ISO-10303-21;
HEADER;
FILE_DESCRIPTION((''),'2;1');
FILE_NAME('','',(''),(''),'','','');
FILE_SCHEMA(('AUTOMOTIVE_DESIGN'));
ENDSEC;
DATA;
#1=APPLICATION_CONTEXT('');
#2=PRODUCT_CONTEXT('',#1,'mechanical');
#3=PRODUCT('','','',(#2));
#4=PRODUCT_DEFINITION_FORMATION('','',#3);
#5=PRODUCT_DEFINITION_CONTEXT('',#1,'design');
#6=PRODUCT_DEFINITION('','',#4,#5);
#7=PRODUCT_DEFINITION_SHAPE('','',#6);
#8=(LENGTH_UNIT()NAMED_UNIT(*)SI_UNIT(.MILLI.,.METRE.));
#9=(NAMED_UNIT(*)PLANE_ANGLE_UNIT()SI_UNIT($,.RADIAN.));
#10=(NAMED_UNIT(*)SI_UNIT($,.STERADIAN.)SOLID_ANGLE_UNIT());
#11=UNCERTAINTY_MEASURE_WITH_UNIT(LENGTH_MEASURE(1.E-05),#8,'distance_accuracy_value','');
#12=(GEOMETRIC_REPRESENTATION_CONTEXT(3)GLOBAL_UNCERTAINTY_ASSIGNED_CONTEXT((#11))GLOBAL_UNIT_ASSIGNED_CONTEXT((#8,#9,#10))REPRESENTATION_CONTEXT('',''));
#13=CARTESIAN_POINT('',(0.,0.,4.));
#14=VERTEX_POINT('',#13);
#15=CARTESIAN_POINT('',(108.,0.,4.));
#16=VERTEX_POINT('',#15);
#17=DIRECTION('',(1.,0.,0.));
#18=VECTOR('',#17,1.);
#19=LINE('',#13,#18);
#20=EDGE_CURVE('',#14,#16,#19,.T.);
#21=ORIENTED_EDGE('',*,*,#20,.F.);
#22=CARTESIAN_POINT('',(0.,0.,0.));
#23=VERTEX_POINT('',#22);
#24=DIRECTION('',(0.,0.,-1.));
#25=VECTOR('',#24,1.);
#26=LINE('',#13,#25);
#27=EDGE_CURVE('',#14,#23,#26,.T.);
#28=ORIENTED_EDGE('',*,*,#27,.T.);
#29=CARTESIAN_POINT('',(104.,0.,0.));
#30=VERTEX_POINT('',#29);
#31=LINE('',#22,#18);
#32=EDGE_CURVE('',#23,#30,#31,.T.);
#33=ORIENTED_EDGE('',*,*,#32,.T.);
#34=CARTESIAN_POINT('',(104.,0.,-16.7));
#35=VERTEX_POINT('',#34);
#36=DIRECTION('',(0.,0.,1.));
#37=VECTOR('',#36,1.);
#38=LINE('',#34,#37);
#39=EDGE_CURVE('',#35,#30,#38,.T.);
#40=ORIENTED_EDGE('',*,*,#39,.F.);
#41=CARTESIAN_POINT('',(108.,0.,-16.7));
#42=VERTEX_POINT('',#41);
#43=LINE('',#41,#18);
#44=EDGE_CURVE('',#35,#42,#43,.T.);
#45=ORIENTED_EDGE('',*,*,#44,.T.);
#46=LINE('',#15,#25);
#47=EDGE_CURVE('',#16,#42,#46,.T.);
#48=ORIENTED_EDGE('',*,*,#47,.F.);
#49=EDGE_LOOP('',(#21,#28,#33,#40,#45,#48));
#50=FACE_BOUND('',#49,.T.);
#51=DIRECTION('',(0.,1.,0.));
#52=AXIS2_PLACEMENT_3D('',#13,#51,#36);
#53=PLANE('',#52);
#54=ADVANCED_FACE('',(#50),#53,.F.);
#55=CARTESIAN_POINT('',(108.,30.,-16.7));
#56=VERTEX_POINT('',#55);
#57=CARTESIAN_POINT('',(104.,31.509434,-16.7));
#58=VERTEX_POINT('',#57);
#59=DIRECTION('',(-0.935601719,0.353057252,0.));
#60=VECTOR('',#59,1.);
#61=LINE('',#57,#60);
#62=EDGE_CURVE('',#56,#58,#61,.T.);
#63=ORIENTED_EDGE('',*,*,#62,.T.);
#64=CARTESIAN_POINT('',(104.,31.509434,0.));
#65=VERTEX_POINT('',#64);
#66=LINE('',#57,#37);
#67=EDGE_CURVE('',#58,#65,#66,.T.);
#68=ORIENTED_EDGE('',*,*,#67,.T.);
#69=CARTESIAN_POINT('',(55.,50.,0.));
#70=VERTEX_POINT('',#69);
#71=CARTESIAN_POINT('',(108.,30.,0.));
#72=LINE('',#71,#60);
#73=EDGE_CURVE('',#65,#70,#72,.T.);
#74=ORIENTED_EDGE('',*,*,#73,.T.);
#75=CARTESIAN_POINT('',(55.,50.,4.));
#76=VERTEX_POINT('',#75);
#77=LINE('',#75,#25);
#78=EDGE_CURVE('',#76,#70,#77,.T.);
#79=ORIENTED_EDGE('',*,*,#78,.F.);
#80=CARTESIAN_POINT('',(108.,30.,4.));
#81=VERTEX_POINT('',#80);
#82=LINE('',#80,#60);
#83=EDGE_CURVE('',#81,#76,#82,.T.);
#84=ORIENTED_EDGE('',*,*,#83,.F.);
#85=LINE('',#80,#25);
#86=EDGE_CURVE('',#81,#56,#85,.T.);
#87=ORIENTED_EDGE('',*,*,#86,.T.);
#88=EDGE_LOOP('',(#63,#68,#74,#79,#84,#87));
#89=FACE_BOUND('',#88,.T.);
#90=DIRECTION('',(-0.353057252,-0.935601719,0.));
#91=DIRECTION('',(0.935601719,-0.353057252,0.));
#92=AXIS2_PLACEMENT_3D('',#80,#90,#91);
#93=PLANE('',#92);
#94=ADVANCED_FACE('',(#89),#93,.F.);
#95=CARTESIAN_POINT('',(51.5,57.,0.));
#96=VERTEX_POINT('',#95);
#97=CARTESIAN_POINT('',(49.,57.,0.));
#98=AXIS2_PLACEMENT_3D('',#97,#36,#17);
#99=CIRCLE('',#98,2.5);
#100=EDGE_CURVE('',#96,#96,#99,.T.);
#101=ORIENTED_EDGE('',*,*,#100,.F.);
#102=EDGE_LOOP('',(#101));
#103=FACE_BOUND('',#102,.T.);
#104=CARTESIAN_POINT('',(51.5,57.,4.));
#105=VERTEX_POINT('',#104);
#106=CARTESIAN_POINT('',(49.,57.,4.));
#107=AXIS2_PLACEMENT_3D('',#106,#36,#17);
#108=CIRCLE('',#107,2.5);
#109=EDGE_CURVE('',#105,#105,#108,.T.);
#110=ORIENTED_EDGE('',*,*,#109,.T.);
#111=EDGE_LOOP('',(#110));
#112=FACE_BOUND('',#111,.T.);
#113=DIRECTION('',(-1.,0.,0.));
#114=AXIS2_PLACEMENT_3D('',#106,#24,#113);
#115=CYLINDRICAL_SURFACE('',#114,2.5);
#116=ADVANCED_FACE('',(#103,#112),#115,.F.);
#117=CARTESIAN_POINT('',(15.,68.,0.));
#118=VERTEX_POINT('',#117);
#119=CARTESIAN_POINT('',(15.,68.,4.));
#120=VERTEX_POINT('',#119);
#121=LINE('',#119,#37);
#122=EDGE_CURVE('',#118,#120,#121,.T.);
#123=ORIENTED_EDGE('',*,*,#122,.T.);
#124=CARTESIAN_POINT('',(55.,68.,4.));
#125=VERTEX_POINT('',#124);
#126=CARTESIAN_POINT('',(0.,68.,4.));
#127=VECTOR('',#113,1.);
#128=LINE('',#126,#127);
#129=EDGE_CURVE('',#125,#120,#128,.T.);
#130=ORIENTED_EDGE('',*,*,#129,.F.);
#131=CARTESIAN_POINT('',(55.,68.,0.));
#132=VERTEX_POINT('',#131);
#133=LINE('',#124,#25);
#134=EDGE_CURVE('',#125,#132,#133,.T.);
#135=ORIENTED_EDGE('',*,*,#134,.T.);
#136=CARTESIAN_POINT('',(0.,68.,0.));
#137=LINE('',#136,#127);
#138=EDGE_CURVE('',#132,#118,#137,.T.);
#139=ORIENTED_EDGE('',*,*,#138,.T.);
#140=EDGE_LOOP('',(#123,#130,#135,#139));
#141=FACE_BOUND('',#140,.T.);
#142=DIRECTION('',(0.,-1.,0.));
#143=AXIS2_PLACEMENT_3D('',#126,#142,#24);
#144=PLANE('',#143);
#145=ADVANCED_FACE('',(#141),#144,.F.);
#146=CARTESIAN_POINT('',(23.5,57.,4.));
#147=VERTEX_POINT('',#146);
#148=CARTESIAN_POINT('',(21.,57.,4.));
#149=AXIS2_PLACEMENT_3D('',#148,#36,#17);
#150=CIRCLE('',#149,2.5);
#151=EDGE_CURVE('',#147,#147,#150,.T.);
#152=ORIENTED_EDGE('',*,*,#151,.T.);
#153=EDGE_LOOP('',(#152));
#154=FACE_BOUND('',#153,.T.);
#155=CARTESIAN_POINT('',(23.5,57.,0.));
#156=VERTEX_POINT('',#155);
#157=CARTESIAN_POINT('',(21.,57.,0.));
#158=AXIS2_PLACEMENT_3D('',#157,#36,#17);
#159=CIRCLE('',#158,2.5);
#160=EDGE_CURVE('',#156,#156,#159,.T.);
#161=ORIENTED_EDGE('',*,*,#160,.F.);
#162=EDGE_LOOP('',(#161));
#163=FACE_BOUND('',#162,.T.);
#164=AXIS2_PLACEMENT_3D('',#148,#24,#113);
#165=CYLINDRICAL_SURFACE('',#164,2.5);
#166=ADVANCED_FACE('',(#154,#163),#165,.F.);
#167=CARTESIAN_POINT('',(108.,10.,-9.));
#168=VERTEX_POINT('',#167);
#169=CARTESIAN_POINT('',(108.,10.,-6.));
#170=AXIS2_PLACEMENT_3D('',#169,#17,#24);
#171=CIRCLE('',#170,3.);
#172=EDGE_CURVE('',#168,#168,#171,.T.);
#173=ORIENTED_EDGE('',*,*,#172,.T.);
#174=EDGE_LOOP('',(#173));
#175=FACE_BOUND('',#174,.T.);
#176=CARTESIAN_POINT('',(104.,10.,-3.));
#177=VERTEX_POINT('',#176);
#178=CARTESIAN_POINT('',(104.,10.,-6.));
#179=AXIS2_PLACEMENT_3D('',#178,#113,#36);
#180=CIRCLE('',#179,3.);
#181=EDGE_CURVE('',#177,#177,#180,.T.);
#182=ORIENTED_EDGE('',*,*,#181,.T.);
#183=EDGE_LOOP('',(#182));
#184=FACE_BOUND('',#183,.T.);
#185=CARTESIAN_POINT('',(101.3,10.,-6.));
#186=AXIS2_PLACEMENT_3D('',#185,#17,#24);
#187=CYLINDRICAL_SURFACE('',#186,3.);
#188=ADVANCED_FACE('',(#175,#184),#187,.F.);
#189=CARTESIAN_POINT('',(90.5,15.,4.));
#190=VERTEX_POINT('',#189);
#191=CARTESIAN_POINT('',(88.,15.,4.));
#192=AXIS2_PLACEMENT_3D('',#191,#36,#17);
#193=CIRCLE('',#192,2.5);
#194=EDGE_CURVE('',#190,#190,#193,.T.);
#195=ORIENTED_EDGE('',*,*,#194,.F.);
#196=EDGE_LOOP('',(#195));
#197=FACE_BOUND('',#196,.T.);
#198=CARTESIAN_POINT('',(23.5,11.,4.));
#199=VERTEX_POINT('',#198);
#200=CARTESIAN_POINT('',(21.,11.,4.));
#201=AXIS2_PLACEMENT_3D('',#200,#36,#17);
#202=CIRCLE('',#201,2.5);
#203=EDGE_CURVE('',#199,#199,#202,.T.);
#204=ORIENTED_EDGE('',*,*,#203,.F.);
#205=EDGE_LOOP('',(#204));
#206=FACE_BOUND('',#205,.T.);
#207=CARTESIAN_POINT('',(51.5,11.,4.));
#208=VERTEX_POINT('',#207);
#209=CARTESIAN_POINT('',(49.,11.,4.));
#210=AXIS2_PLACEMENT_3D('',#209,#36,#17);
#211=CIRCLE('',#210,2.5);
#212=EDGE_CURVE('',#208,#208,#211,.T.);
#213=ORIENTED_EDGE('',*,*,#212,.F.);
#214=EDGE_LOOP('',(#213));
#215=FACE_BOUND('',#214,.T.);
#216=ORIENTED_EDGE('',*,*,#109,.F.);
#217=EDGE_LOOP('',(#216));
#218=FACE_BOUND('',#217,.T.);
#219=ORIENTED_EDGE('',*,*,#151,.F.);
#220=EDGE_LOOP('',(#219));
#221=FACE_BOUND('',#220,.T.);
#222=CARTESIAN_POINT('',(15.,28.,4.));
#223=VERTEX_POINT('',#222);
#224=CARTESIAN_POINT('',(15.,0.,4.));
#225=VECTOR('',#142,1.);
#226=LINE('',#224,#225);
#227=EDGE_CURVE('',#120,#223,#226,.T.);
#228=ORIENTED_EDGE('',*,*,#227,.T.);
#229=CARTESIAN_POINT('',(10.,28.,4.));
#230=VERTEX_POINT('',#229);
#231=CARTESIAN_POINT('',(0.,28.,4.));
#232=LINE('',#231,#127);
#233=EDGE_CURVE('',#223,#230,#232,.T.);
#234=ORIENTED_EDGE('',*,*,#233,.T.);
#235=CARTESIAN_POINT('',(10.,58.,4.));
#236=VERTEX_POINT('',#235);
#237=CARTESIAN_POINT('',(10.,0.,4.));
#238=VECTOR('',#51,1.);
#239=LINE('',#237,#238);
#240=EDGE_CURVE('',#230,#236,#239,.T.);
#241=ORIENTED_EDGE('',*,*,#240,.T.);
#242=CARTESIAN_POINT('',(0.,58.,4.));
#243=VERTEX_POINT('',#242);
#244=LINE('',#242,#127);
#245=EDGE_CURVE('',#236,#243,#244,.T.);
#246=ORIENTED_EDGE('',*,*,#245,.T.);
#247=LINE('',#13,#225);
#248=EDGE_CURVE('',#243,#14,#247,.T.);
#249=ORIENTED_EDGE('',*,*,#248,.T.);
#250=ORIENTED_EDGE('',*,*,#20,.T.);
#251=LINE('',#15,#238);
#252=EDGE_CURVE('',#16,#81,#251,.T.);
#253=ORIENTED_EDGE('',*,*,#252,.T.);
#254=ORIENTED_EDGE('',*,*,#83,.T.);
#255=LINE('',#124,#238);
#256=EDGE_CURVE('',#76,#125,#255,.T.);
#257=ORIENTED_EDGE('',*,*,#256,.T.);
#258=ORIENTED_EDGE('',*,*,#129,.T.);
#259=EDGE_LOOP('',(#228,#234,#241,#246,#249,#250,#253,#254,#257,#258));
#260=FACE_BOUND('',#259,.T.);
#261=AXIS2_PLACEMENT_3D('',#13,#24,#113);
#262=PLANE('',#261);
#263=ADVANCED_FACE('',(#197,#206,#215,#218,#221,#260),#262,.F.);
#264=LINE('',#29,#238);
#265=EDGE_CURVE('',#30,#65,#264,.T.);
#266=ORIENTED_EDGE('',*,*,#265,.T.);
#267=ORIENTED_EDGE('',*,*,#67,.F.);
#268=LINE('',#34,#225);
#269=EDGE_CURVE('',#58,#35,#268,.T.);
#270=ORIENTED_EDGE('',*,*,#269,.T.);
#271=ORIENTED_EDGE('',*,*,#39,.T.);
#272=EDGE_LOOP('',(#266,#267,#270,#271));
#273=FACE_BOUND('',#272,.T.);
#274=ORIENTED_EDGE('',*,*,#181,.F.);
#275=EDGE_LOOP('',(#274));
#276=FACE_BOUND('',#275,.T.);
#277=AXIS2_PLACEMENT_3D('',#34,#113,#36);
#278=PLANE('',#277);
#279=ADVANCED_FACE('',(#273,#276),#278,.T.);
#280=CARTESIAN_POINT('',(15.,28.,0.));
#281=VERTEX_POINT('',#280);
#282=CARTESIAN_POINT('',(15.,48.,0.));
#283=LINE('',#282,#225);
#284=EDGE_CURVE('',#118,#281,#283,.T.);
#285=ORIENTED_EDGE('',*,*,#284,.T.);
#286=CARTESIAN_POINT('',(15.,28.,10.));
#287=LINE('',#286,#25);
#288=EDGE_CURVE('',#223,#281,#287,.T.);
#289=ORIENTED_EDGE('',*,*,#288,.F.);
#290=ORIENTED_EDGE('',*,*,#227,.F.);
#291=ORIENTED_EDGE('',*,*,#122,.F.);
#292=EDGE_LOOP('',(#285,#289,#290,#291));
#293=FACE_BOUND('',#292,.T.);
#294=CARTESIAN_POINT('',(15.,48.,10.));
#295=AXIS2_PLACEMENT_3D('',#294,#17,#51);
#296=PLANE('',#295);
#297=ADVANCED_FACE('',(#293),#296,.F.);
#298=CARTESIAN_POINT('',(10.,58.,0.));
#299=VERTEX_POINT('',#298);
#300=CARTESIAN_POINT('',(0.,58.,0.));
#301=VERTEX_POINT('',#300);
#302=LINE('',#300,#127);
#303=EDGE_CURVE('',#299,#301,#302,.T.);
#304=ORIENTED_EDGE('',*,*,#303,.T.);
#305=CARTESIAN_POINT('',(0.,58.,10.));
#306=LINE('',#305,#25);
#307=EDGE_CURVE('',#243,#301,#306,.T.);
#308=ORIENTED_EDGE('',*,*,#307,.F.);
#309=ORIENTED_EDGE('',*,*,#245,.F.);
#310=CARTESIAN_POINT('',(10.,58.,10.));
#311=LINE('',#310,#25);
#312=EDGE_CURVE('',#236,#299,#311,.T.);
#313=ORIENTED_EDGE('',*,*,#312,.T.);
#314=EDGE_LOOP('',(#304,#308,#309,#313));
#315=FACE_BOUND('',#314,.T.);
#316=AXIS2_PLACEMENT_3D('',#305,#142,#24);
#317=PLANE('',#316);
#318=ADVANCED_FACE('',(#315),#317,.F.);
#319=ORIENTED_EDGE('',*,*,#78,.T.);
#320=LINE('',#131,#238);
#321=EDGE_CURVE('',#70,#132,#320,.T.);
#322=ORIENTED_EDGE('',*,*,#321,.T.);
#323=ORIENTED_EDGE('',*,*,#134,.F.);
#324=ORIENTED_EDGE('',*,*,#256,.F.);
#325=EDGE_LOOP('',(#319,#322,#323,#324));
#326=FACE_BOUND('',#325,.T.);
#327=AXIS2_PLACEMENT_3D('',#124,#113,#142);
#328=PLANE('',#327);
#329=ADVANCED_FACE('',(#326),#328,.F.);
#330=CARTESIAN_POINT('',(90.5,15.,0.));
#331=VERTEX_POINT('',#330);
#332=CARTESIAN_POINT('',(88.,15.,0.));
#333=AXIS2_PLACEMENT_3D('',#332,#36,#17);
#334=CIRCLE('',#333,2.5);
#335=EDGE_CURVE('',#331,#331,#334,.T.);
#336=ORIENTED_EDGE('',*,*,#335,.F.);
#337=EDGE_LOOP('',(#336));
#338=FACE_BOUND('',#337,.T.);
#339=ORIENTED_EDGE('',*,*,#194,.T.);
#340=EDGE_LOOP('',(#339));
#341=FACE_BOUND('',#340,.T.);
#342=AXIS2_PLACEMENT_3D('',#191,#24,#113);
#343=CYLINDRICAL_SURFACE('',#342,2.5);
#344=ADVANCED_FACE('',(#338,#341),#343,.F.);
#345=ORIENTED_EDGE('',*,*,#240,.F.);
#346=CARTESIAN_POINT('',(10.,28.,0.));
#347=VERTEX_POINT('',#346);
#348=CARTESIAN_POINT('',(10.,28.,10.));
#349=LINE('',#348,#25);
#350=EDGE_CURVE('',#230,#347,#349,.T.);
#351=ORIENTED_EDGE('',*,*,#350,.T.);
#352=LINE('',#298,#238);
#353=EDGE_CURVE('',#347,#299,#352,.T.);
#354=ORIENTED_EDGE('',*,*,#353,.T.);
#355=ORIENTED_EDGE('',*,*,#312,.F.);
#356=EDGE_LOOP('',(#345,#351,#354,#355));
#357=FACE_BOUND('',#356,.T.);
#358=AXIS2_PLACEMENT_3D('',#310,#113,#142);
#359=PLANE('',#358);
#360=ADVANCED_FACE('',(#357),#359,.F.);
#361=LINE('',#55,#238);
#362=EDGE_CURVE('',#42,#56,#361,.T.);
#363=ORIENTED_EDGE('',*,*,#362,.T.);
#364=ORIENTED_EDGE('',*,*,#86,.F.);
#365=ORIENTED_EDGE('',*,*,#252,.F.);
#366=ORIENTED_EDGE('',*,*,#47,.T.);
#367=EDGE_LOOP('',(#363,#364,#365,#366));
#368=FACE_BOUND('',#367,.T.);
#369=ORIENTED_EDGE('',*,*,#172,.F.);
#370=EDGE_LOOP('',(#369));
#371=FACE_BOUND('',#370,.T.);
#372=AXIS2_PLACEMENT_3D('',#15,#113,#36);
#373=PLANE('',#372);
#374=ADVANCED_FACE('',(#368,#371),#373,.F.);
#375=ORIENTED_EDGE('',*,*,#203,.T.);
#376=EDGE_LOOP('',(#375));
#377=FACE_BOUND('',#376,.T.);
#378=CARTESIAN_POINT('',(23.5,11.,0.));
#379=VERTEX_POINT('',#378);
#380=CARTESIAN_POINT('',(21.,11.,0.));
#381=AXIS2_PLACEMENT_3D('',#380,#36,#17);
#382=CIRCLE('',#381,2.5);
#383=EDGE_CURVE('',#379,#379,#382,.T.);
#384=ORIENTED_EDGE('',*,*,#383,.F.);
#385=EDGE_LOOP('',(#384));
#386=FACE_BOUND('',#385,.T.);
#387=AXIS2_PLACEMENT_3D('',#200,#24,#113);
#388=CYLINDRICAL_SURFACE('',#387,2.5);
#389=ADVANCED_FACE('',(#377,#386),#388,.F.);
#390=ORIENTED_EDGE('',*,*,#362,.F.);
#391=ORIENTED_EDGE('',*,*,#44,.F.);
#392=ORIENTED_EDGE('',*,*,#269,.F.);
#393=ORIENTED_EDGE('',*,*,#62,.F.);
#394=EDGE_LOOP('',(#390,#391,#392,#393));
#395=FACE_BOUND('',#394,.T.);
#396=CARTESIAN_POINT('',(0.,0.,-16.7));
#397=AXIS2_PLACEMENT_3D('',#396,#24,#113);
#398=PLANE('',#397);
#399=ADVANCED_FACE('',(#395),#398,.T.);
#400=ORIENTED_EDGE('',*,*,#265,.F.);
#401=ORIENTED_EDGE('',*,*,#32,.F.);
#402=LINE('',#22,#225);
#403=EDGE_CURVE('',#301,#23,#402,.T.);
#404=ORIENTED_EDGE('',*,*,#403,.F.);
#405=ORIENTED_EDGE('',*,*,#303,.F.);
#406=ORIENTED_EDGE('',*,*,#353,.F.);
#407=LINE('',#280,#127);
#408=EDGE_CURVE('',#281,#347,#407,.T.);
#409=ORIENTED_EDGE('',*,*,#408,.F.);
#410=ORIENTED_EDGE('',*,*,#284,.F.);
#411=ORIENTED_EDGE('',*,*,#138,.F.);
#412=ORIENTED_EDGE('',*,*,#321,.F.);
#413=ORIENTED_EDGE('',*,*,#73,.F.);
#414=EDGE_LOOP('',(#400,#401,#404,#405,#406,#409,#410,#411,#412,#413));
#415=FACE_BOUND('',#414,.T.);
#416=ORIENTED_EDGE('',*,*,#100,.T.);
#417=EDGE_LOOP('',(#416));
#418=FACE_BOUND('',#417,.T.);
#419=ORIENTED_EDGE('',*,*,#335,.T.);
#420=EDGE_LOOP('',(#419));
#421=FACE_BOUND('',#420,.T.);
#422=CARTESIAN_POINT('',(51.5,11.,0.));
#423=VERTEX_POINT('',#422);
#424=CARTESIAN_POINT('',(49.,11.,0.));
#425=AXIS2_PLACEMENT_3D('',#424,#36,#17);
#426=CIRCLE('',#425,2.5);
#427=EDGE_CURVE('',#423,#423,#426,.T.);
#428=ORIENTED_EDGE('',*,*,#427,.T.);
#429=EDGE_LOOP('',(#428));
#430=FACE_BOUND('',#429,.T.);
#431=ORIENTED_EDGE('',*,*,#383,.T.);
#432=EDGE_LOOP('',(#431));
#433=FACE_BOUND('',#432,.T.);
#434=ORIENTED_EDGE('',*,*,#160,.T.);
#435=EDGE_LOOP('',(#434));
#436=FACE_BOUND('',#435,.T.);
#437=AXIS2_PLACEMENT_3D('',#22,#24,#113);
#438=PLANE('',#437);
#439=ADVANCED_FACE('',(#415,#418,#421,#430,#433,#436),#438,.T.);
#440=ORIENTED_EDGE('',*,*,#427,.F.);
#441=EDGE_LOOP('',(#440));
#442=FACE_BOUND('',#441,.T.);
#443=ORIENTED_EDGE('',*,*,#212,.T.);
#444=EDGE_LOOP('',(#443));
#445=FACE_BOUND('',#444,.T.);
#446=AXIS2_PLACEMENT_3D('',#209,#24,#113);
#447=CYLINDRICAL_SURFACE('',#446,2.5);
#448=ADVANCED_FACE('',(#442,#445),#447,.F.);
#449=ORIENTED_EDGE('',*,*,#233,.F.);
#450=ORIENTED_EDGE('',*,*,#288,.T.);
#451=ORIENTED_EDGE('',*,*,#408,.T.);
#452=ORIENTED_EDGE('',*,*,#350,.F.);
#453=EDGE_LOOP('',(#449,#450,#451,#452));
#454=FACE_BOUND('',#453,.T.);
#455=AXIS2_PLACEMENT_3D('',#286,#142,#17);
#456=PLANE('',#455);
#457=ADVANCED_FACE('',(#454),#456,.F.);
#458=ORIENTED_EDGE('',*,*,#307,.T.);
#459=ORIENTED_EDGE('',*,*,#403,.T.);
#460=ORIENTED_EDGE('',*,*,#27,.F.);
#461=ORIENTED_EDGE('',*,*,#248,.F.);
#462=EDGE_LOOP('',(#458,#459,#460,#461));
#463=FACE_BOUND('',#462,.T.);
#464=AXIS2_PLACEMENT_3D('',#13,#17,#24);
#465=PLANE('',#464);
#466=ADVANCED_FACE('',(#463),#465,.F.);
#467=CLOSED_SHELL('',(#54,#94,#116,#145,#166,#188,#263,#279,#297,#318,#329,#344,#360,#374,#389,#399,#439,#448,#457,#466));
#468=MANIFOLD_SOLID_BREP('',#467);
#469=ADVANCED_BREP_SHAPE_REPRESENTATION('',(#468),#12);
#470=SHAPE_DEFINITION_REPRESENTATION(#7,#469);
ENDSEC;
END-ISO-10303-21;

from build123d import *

# Parameters (mm, degrees)
SKETCH_1_R          = 2.5
EXTRUDE_1_DEPTH     = 4
EXTRUDE_2_DEPTH     = 20.7
SKETCH_3_R          = 3
CUT_EXTRUDE_1_DEPTH = 6.7
CUT_EXTRUDE_2_DEPTH = 10


with BuildPart() as part:
    # Эскиз1 → Бобышка-Вытянуть1 (new body)
    with BuildSketch(Plane.XY):
        Polygon((0, 0), (108, 0), (108, 30), (55, 50), (55, 68), (0, 68), align=None)
        with Locations((21, 57)):
            Circle(SKETCH_1_R, mode=Mode.SUBTRACT)
        with Locations((49, 57)):
            Circle(SKETCH_1_R, mode=Mode.SUBTRACT)
        with Locations((21, 11)):
            Circle(SKETCH_1_R, mode=Mode.SUBTRACT)
        with Locations((49, 11)):
            Circle(SKETCH_1_R, mode=Mode.SUBTRACT)
        with Locations((88, 15)):
            Circle(SKETCH_1_R, mode=Mode.SUBTRACT)
    extrude(amount=EXTRUDE_1_DEPTH)

    # Эскиз2 → Бобышка-Вытянуть2 (add)
    with BuildSketch(Plane.XY.offset(4)):
        Polygon((108, 0), (104, 0), (104, 31.509433962), (108, 30), align=None)
    extrude(amount=-EXTRUDE_2_DEPTH)

    # Эскиз3 → Вырез-Вытянуть1 (cut)
    with BuildSketch(Plane(origin=(108, 0, 0), x_dir=(0, 0, -1), z_dir=(1, 0, 0))):
        with Locations((6, 10)):
            Circle(SKETCH_3_R)
    extrude(amount=-CUT_EXTRUDE_1_DEPTH, mode=Mode.SUBTRACT)

    # Эскиз4 → Вырез-Вытянуть2 (cut)
    with BuildSketch(Plane(origin=(0, 0, 0), x_dir=(-1, 0, 0), z_dir=(0, 0, -1))):
        Polygon((0, 68), (-15, 68), (-15, 48), (-15, 28), (-10, 28), (-10, 58), (0, 58), align=None)
    extrude(amount=-CUT_EXTRUDE_2_DEPTH, mode=Mode.SUBTRACT)


solid = part.part
